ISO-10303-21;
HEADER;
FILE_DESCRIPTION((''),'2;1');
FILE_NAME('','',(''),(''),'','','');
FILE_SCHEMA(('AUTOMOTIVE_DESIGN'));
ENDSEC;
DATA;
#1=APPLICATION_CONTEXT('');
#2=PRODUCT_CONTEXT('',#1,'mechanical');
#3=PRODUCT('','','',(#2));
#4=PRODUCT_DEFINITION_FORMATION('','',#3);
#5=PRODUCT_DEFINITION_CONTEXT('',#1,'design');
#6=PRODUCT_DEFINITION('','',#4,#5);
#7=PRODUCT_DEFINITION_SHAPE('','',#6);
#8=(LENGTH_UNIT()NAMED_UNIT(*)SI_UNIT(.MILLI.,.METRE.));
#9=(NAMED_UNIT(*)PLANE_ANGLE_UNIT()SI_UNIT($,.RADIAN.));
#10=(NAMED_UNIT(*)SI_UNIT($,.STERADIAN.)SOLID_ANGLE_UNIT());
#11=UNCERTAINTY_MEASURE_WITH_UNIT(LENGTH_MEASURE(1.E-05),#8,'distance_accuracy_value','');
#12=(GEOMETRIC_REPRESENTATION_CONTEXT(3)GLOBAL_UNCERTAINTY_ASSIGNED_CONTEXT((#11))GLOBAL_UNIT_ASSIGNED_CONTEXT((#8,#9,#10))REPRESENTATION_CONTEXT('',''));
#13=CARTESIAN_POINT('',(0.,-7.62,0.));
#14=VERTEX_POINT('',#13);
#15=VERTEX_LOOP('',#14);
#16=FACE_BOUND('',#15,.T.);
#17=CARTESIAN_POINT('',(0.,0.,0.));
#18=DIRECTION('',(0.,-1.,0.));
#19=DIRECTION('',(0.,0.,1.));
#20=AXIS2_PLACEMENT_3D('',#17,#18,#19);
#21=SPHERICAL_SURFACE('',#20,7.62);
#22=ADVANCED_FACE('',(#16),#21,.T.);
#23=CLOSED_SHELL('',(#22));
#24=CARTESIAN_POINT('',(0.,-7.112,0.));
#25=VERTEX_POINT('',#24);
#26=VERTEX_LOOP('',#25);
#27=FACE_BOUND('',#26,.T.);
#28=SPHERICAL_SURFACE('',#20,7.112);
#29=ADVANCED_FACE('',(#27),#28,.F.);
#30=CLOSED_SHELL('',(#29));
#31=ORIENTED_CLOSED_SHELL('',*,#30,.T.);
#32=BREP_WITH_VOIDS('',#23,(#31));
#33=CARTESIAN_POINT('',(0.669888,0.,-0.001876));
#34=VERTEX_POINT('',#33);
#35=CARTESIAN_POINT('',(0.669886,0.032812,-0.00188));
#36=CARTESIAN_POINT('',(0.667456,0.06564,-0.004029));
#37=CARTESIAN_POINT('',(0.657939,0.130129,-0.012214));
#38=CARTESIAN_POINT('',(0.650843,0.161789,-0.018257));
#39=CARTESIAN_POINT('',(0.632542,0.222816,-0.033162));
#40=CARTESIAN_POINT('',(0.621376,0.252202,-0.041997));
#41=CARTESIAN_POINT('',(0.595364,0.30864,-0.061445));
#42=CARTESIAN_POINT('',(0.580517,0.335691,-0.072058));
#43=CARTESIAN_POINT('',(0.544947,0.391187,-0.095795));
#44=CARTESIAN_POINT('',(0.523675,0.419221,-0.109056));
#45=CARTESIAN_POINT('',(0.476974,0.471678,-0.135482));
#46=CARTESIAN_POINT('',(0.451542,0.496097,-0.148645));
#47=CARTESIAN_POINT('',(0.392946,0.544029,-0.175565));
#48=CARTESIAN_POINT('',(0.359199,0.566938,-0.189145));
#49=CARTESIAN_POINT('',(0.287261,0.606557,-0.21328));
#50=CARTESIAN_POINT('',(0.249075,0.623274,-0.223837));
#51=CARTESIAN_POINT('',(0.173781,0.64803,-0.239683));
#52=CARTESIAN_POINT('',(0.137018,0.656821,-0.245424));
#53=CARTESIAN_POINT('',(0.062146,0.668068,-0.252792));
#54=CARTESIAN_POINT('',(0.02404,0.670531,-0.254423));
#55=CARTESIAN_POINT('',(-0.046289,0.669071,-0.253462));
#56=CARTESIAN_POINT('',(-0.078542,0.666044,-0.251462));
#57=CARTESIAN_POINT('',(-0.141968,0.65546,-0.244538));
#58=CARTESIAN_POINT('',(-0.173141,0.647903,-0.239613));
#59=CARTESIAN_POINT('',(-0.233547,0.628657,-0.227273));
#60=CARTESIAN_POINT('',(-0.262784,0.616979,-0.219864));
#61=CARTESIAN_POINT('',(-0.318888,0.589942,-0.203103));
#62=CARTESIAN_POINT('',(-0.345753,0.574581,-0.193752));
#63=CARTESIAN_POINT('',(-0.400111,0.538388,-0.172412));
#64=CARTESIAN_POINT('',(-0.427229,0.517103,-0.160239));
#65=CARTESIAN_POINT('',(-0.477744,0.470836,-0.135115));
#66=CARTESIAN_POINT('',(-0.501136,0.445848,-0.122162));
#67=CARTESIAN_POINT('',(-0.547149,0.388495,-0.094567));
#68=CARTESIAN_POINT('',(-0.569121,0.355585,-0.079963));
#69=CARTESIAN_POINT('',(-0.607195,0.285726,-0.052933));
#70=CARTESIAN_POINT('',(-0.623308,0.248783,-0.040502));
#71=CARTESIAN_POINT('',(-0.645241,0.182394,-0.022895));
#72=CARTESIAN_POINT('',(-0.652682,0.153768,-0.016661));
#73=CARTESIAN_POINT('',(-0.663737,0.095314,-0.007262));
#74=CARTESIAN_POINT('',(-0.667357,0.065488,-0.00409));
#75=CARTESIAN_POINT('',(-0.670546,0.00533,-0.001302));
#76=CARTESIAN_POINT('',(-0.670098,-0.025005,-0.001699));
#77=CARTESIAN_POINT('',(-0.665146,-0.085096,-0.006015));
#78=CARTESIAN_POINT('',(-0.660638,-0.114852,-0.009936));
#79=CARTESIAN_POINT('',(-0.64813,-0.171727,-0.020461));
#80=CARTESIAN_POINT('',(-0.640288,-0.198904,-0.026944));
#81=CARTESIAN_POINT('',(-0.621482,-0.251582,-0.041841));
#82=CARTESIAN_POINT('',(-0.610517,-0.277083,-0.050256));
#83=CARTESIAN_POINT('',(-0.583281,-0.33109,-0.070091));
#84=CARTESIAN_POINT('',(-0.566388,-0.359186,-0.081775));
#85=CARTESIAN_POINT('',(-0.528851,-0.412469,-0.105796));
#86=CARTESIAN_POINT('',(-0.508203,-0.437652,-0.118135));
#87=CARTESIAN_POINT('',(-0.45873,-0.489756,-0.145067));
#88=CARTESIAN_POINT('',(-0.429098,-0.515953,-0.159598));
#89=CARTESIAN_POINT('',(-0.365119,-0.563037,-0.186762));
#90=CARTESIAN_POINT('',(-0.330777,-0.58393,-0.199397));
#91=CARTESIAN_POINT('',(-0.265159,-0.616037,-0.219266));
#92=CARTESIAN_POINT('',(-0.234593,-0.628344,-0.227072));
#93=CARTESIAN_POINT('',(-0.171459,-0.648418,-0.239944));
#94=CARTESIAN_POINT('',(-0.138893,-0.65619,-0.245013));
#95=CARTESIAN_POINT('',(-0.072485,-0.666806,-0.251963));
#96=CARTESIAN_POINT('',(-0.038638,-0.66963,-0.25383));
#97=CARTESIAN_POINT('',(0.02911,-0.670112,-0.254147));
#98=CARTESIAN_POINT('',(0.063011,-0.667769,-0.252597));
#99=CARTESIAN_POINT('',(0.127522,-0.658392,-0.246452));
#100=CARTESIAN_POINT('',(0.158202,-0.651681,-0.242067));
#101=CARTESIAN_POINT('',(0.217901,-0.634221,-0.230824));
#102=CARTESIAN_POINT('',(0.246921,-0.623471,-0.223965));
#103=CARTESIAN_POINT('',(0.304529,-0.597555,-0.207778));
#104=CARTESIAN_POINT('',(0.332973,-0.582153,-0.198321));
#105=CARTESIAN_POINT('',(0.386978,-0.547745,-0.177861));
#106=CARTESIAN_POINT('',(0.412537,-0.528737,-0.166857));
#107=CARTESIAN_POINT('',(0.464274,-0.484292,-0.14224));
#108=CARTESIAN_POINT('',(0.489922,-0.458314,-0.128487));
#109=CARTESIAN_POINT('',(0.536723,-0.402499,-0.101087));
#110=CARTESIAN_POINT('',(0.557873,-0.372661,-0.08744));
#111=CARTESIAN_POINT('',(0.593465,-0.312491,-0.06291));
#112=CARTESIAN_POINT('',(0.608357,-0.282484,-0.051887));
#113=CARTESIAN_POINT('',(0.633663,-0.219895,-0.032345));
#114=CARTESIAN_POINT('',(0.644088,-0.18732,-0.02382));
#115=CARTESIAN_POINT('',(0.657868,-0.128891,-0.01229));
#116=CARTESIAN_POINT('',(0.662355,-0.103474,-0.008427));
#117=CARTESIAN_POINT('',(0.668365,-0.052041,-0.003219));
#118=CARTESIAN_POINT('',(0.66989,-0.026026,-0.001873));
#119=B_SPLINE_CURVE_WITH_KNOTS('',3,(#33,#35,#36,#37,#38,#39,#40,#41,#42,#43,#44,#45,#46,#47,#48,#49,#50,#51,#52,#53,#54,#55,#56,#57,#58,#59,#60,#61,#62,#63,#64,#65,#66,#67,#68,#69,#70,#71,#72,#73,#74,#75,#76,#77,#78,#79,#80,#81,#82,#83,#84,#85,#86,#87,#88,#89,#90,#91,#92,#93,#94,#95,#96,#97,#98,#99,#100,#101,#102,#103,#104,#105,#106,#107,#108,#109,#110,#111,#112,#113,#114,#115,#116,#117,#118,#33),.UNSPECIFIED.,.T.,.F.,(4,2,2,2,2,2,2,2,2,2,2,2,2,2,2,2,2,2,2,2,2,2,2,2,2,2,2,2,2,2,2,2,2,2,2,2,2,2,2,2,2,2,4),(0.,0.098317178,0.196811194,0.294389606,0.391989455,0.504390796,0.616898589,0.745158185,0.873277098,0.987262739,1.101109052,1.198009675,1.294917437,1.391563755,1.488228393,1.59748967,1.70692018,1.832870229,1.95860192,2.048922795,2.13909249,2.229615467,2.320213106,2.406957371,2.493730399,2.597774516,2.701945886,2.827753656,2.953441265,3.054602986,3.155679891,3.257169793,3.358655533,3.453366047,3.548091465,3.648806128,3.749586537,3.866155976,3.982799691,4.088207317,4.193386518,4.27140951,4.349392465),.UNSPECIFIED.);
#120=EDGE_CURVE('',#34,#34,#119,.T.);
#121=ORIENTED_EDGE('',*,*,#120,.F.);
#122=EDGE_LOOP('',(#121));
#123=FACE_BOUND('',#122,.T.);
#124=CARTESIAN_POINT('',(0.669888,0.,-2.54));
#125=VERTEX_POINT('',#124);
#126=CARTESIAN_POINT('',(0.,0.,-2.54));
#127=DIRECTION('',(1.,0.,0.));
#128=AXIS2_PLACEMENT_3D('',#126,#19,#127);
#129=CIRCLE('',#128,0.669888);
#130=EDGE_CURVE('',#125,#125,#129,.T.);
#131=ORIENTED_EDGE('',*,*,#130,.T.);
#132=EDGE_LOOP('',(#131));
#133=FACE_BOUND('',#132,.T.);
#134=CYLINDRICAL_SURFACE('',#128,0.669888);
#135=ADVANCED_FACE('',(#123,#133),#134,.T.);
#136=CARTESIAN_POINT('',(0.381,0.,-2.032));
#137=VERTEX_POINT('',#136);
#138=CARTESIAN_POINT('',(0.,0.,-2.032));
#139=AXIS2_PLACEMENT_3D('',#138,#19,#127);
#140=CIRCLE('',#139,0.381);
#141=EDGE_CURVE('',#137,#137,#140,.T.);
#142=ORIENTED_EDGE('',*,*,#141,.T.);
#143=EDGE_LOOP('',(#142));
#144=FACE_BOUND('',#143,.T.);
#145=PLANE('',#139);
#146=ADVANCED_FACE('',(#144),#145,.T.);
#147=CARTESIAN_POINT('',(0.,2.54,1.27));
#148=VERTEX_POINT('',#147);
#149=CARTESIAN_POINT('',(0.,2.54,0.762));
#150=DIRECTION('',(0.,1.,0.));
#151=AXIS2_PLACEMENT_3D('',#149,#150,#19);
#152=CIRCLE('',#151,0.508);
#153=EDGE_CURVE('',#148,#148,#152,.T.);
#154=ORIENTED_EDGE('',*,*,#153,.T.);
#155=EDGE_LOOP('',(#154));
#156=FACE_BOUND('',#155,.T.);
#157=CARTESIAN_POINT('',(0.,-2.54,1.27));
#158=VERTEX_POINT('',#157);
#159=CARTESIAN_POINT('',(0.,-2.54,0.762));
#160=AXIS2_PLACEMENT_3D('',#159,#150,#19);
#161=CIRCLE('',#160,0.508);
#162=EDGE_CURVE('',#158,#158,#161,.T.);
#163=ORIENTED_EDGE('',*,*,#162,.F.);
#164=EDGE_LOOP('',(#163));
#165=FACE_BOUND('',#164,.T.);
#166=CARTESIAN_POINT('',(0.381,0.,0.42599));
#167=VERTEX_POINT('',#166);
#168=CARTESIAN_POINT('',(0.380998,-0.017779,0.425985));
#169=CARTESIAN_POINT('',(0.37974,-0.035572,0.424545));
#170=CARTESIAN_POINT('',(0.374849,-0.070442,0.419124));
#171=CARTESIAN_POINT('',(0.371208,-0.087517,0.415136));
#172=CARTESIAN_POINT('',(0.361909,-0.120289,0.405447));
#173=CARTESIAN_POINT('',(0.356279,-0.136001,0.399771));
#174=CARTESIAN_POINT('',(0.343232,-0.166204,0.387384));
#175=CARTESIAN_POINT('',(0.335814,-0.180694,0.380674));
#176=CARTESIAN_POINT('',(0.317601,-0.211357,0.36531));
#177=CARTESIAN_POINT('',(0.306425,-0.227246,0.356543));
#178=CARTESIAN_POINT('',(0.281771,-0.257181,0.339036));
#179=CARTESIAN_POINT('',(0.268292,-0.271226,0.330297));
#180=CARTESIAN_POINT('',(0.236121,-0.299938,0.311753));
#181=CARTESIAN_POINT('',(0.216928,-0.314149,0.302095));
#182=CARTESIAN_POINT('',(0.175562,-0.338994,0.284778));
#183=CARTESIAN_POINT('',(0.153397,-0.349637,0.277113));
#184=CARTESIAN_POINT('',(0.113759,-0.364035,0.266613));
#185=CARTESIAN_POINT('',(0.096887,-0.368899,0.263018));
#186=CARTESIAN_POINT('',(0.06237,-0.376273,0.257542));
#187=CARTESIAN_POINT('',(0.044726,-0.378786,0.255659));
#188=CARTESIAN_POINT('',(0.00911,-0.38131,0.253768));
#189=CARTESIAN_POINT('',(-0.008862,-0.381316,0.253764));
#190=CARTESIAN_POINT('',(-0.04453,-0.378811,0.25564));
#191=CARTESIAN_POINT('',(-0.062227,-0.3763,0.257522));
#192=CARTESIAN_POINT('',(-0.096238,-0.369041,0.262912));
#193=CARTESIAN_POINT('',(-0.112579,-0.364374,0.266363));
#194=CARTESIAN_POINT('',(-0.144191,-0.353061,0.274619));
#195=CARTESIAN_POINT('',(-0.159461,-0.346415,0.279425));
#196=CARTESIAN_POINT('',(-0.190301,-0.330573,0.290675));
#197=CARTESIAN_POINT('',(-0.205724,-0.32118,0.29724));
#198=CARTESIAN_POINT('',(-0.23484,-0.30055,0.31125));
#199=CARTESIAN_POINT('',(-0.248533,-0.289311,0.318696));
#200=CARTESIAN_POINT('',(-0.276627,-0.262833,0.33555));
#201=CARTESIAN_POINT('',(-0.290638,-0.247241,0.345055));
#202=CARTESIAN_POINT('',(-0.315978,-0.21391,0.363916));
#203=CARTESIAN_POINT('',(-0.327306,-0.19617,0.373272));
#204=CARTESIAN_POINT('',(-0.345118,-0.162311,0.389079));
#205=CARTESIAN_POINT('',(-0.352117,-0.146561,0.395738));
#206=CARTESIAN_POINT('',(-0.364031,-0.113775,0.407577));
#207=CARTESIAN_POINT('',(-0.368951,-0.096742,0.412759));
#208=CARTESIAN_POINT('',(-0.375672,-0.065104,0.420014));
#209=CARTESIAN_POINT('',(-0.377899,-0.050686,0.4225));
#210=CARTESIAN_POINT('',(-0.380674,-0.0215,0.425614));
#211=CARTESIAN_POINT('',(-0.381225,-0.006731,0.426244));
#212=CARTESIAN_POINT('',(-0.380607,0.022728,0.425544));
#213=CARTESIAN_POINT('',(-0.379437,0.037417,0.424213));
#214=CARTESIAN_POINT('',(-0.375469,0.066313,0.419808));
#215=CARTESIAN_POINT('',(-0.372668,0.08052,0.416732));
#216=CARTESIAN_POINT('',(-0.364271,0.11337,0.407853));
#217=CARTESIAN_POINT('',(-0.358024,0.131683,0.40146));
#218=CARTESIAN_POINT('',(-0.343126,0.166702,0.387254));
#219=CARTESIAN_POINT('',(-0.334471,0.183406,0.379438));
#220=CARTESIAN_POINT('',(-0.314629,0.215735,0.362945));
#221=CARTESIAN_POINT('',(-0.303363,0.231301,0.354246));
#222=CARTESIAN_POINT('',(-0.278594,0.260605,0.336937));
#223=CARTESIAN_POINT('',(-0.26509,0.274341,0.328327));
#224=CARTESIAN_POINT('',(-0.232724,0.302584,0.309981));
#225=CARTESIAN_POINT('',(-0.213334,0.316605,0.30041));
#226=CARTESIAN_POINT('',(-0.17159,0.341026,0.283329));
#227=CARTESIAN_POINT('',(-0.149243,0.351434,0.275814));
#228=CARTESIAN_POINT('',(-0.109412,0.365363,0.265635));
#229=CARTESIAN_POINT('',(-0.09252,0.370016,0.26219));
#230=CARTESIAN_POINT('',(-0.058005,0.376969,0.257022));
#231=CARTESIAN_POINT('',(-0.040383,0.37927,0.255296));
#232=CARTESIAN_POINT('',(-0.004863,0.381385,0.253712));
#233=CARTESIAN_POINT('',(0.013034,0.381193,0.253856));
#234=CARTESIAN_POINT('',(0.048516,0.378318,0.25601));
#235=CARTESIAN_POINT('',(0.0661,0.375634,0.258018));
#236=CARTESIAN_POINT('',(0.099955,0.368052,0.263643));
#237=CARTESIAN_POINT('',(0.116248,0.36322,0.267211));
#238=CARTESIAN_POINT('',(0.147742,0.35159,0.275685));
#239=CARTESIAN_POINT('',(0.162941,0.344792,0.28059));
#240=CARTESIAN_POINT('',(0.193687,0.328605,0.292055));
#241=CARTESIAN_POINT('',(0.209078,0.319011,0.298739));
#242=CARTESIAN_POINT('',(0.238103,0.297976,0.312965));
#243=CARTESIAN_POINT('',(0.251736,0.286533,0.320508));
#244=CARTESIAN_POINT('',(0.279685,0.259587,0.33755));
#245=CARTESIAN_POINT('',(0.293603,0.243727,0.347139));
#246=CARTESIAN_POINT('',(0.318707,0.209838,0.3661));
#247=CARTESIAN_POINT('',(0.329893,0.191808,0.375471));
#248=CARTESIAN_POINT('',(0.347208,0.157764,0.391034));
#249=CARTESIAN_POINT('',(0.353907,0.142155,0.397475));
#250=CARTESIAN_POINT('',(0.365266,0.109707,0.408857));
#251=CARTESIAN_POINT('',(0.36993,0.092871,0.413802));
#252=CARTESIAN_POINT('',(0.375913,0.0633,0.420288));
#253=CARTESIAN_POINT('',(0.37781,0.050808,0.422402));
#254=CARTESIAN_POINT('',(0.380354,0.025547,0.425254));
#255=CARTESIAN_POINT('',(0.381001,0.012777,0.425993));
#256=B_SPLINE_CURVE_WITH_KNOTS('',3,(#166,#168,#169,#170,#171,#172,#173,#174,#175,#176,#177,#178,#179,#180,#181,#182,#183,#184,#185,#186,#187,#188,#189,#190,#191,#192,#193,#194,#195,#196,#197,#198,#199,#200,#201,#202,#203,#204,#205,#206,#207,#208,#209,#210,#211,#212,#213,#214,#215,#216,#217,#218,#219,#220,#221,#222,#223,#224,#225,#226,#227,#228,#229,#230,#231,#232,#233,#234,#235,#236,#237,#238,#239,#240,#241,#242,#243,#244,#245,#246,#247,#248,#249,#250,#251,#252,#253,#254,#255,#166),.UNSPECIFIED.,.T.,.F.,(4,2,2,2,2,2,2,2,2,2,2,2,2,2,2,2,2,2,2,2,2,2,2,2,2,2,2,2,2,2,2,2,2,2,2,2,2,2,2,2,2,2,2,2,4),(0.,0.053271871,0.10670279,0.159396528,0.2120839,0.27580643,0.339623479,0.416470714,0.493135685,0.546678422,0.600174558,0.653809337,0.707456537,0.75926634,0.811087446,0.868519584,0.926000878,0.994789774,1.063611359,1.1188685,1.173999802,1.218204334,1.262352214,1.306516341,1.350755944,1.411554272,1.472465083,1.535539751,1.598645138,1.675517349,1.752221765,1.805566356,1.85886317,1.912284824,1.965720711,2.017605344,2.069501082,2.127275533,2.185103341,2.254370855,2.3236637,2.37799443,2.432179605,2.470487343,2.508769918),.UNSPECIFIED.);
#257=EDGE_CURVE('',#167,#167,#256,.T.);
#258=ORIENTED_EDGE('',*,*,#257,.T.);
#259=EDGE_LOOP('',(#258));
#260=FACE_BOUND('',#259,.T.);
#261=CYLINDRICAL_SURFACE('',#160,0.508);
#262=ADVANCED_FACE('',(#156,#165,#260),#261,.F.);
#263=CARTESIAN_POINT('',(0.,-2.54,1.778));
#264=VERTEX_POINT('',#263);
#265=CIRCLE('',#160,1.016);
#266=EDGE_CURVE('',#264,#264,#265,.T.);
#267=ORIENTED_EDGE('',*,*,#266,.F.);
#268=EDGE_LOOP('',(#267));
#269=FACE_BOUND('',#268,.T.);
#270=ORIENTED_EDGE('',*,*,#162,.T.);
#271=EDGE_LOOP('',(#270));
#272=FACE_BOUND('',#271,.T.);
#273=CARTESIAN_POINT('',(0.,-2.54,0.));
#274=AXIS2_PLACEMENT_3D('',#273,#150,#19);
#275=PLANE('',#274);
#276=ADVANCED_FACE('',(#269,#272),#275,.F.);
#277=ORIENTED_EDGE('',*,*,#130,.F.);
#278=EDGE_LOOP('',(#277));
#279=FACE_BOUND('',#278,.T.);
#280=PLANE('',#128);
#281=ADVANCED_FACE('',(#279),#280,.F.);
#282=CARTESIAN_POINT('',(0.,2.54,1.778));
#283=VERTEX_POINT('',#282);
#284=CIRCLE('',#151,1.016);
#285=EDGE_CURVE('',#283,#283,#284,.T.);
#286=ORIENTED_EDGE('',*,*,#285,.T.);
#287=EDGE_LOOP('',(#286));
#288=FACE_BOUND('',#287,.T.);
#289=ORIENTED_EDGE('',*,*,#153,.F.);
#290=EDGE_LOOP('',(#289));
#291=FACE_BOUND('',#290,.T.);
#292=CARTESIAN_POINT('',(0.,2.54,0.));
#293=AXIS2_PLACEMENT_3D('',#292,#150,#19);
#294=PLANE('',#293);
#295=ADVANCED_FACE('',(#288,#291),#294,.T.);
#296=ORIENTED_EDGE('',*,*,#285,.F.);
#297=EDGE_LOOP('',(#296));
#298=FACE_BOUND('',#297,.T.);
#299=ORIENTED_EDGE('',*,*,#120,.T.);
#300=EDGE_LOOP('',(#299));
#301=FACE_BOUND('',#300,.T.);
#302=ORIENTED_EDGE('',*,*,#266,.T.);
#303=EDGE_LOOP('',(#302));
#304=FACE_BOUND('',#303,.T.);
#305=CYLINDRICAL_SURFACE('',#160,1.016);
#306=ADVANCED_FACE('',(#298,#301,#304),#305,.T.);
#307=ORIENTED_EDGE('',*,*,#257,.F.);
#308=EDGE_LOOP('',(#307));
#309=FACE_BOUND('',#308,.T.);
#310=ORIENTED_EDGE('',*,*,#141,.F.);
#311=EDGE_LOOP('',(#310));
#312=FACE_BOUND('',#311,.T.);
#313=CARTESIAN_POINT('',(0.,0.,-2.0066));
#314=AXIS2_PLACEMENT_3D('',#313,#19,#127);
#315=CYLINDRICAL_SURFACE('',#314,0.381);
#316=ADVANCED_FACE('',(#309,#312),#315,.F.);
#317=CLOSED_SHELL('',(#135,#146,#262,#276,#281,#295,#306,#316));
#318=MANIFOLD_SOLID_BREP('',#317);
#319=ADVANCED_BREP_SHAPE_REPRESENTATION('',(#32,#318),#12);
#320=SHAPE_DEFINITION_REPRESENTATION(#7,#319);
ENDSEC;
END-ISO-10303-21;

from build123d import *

# Parameters (mm, degrees)
SKETCH1_R                = 0.508
SKETCH1_R_2              = 0.381
BOSS_EXTRUDE1_DEPTH      = 0.127
SKETCH1_4_R              = 0.669887952
BOSS_EXTRUDE3_DEPTH      = 2.54
BOSS_EXTRUDE4_DEPTH      = 2.54
BOSS_EXTRUDE4_DEPTH_BACK = 2.54
SKETCH2_R                = 1.016
SKETCH2_R_2              = 0.508
CUT_EXTRUDE6_START       = 0.5334
SKETCH1_9_R              = 0.381
CUT_EXTRUDE6_DEPTH       = 2.54
SKETCH1_12_R             = 0.381
CUT_EXTRUDE8_DEPTH       = 2.032


with BuildPart() as part:
    # Sketch1 → Boss-Extrude1 (new body)
    with BuildSketch(Plane.XY):
        Circle(SKETCH1_R)
        Circle(SKETCH1_R_2, mode=Mode.SUBTRACT)
    extrude(amount=BOSS_EXTRUDE1_DEPTH)

    # Sketch1<4> → Boss-Extrude3 (add)
    with BuildSketch(Plane.XY):
        Circle(SKETCH1_4_R)
    extrude(amount=-BOSS_EXTRUDE3_DEPTH)

    # Sketch2 → Boss-Extrude4 (add, two sides: drawn at the far end of the back side and taken through both)
    with BuildSketch(Plane(origin=(0, 0, 0), x_dir=(1, 0, 0), z_dir=(0, 1, 0)).offset(-BOSS_EXTRUDE4_DEPTH_BACK)):
        with Locations((0, -0.762)):
            Circle(SKETCH2_R)
        with Locations((0, -0.762)):
            Circle(SKETCH2_R_2, mode=Mode.SUBTRACT)
    extrude(amount=BOSS_EXTRUDE4_DEPTH + BOSS_EXTRUDE4_DEPTH_BACK)

    # Sketch1<9> → Cut-Extrude6 (cut)
    with BuildSketch(Plane.XY.offset(CUT_EXTRUDE6_START)):
        Circle(SKETCH1_9_R)
    extrude(amount=-CUT_EXTRUDE6_DEPTH, mode=Mode.SUBTRACT)

    # Sketch1<12> → Cut-Extrude8 (cut)
    with BuildSketch(Plane.XY):
        Circle(SKETCH1_12_R)
    extrude(amount=-CUT_EXTRUDE8_DEPTH, mode=Mode.SUBTRACT)


with BuildPart() as body_2:
    # Sketch4 → Revolve1 (revolve)
    with BuildSketch(Plane(origin=(0, 0, 0), x_dir=(0, 0, -1), z_dir=(1, 0, 0))):
        with BuildLine():
            ThreePointArc((0, 7.62), (-7.62, 0), (0, -7.62))
            Line((0, -7.62), (0, -7.112))
            ThreePointArc((0, -7.112), (-7.112, 0), (0, 7.112))
            Line((0, 7.112), (0, 7.62))
        make_face()
    revolve(axis=Axis((0, -7.62, 0), (0, 1, 0)))


solid = Compound([part.part, body_2.part])
